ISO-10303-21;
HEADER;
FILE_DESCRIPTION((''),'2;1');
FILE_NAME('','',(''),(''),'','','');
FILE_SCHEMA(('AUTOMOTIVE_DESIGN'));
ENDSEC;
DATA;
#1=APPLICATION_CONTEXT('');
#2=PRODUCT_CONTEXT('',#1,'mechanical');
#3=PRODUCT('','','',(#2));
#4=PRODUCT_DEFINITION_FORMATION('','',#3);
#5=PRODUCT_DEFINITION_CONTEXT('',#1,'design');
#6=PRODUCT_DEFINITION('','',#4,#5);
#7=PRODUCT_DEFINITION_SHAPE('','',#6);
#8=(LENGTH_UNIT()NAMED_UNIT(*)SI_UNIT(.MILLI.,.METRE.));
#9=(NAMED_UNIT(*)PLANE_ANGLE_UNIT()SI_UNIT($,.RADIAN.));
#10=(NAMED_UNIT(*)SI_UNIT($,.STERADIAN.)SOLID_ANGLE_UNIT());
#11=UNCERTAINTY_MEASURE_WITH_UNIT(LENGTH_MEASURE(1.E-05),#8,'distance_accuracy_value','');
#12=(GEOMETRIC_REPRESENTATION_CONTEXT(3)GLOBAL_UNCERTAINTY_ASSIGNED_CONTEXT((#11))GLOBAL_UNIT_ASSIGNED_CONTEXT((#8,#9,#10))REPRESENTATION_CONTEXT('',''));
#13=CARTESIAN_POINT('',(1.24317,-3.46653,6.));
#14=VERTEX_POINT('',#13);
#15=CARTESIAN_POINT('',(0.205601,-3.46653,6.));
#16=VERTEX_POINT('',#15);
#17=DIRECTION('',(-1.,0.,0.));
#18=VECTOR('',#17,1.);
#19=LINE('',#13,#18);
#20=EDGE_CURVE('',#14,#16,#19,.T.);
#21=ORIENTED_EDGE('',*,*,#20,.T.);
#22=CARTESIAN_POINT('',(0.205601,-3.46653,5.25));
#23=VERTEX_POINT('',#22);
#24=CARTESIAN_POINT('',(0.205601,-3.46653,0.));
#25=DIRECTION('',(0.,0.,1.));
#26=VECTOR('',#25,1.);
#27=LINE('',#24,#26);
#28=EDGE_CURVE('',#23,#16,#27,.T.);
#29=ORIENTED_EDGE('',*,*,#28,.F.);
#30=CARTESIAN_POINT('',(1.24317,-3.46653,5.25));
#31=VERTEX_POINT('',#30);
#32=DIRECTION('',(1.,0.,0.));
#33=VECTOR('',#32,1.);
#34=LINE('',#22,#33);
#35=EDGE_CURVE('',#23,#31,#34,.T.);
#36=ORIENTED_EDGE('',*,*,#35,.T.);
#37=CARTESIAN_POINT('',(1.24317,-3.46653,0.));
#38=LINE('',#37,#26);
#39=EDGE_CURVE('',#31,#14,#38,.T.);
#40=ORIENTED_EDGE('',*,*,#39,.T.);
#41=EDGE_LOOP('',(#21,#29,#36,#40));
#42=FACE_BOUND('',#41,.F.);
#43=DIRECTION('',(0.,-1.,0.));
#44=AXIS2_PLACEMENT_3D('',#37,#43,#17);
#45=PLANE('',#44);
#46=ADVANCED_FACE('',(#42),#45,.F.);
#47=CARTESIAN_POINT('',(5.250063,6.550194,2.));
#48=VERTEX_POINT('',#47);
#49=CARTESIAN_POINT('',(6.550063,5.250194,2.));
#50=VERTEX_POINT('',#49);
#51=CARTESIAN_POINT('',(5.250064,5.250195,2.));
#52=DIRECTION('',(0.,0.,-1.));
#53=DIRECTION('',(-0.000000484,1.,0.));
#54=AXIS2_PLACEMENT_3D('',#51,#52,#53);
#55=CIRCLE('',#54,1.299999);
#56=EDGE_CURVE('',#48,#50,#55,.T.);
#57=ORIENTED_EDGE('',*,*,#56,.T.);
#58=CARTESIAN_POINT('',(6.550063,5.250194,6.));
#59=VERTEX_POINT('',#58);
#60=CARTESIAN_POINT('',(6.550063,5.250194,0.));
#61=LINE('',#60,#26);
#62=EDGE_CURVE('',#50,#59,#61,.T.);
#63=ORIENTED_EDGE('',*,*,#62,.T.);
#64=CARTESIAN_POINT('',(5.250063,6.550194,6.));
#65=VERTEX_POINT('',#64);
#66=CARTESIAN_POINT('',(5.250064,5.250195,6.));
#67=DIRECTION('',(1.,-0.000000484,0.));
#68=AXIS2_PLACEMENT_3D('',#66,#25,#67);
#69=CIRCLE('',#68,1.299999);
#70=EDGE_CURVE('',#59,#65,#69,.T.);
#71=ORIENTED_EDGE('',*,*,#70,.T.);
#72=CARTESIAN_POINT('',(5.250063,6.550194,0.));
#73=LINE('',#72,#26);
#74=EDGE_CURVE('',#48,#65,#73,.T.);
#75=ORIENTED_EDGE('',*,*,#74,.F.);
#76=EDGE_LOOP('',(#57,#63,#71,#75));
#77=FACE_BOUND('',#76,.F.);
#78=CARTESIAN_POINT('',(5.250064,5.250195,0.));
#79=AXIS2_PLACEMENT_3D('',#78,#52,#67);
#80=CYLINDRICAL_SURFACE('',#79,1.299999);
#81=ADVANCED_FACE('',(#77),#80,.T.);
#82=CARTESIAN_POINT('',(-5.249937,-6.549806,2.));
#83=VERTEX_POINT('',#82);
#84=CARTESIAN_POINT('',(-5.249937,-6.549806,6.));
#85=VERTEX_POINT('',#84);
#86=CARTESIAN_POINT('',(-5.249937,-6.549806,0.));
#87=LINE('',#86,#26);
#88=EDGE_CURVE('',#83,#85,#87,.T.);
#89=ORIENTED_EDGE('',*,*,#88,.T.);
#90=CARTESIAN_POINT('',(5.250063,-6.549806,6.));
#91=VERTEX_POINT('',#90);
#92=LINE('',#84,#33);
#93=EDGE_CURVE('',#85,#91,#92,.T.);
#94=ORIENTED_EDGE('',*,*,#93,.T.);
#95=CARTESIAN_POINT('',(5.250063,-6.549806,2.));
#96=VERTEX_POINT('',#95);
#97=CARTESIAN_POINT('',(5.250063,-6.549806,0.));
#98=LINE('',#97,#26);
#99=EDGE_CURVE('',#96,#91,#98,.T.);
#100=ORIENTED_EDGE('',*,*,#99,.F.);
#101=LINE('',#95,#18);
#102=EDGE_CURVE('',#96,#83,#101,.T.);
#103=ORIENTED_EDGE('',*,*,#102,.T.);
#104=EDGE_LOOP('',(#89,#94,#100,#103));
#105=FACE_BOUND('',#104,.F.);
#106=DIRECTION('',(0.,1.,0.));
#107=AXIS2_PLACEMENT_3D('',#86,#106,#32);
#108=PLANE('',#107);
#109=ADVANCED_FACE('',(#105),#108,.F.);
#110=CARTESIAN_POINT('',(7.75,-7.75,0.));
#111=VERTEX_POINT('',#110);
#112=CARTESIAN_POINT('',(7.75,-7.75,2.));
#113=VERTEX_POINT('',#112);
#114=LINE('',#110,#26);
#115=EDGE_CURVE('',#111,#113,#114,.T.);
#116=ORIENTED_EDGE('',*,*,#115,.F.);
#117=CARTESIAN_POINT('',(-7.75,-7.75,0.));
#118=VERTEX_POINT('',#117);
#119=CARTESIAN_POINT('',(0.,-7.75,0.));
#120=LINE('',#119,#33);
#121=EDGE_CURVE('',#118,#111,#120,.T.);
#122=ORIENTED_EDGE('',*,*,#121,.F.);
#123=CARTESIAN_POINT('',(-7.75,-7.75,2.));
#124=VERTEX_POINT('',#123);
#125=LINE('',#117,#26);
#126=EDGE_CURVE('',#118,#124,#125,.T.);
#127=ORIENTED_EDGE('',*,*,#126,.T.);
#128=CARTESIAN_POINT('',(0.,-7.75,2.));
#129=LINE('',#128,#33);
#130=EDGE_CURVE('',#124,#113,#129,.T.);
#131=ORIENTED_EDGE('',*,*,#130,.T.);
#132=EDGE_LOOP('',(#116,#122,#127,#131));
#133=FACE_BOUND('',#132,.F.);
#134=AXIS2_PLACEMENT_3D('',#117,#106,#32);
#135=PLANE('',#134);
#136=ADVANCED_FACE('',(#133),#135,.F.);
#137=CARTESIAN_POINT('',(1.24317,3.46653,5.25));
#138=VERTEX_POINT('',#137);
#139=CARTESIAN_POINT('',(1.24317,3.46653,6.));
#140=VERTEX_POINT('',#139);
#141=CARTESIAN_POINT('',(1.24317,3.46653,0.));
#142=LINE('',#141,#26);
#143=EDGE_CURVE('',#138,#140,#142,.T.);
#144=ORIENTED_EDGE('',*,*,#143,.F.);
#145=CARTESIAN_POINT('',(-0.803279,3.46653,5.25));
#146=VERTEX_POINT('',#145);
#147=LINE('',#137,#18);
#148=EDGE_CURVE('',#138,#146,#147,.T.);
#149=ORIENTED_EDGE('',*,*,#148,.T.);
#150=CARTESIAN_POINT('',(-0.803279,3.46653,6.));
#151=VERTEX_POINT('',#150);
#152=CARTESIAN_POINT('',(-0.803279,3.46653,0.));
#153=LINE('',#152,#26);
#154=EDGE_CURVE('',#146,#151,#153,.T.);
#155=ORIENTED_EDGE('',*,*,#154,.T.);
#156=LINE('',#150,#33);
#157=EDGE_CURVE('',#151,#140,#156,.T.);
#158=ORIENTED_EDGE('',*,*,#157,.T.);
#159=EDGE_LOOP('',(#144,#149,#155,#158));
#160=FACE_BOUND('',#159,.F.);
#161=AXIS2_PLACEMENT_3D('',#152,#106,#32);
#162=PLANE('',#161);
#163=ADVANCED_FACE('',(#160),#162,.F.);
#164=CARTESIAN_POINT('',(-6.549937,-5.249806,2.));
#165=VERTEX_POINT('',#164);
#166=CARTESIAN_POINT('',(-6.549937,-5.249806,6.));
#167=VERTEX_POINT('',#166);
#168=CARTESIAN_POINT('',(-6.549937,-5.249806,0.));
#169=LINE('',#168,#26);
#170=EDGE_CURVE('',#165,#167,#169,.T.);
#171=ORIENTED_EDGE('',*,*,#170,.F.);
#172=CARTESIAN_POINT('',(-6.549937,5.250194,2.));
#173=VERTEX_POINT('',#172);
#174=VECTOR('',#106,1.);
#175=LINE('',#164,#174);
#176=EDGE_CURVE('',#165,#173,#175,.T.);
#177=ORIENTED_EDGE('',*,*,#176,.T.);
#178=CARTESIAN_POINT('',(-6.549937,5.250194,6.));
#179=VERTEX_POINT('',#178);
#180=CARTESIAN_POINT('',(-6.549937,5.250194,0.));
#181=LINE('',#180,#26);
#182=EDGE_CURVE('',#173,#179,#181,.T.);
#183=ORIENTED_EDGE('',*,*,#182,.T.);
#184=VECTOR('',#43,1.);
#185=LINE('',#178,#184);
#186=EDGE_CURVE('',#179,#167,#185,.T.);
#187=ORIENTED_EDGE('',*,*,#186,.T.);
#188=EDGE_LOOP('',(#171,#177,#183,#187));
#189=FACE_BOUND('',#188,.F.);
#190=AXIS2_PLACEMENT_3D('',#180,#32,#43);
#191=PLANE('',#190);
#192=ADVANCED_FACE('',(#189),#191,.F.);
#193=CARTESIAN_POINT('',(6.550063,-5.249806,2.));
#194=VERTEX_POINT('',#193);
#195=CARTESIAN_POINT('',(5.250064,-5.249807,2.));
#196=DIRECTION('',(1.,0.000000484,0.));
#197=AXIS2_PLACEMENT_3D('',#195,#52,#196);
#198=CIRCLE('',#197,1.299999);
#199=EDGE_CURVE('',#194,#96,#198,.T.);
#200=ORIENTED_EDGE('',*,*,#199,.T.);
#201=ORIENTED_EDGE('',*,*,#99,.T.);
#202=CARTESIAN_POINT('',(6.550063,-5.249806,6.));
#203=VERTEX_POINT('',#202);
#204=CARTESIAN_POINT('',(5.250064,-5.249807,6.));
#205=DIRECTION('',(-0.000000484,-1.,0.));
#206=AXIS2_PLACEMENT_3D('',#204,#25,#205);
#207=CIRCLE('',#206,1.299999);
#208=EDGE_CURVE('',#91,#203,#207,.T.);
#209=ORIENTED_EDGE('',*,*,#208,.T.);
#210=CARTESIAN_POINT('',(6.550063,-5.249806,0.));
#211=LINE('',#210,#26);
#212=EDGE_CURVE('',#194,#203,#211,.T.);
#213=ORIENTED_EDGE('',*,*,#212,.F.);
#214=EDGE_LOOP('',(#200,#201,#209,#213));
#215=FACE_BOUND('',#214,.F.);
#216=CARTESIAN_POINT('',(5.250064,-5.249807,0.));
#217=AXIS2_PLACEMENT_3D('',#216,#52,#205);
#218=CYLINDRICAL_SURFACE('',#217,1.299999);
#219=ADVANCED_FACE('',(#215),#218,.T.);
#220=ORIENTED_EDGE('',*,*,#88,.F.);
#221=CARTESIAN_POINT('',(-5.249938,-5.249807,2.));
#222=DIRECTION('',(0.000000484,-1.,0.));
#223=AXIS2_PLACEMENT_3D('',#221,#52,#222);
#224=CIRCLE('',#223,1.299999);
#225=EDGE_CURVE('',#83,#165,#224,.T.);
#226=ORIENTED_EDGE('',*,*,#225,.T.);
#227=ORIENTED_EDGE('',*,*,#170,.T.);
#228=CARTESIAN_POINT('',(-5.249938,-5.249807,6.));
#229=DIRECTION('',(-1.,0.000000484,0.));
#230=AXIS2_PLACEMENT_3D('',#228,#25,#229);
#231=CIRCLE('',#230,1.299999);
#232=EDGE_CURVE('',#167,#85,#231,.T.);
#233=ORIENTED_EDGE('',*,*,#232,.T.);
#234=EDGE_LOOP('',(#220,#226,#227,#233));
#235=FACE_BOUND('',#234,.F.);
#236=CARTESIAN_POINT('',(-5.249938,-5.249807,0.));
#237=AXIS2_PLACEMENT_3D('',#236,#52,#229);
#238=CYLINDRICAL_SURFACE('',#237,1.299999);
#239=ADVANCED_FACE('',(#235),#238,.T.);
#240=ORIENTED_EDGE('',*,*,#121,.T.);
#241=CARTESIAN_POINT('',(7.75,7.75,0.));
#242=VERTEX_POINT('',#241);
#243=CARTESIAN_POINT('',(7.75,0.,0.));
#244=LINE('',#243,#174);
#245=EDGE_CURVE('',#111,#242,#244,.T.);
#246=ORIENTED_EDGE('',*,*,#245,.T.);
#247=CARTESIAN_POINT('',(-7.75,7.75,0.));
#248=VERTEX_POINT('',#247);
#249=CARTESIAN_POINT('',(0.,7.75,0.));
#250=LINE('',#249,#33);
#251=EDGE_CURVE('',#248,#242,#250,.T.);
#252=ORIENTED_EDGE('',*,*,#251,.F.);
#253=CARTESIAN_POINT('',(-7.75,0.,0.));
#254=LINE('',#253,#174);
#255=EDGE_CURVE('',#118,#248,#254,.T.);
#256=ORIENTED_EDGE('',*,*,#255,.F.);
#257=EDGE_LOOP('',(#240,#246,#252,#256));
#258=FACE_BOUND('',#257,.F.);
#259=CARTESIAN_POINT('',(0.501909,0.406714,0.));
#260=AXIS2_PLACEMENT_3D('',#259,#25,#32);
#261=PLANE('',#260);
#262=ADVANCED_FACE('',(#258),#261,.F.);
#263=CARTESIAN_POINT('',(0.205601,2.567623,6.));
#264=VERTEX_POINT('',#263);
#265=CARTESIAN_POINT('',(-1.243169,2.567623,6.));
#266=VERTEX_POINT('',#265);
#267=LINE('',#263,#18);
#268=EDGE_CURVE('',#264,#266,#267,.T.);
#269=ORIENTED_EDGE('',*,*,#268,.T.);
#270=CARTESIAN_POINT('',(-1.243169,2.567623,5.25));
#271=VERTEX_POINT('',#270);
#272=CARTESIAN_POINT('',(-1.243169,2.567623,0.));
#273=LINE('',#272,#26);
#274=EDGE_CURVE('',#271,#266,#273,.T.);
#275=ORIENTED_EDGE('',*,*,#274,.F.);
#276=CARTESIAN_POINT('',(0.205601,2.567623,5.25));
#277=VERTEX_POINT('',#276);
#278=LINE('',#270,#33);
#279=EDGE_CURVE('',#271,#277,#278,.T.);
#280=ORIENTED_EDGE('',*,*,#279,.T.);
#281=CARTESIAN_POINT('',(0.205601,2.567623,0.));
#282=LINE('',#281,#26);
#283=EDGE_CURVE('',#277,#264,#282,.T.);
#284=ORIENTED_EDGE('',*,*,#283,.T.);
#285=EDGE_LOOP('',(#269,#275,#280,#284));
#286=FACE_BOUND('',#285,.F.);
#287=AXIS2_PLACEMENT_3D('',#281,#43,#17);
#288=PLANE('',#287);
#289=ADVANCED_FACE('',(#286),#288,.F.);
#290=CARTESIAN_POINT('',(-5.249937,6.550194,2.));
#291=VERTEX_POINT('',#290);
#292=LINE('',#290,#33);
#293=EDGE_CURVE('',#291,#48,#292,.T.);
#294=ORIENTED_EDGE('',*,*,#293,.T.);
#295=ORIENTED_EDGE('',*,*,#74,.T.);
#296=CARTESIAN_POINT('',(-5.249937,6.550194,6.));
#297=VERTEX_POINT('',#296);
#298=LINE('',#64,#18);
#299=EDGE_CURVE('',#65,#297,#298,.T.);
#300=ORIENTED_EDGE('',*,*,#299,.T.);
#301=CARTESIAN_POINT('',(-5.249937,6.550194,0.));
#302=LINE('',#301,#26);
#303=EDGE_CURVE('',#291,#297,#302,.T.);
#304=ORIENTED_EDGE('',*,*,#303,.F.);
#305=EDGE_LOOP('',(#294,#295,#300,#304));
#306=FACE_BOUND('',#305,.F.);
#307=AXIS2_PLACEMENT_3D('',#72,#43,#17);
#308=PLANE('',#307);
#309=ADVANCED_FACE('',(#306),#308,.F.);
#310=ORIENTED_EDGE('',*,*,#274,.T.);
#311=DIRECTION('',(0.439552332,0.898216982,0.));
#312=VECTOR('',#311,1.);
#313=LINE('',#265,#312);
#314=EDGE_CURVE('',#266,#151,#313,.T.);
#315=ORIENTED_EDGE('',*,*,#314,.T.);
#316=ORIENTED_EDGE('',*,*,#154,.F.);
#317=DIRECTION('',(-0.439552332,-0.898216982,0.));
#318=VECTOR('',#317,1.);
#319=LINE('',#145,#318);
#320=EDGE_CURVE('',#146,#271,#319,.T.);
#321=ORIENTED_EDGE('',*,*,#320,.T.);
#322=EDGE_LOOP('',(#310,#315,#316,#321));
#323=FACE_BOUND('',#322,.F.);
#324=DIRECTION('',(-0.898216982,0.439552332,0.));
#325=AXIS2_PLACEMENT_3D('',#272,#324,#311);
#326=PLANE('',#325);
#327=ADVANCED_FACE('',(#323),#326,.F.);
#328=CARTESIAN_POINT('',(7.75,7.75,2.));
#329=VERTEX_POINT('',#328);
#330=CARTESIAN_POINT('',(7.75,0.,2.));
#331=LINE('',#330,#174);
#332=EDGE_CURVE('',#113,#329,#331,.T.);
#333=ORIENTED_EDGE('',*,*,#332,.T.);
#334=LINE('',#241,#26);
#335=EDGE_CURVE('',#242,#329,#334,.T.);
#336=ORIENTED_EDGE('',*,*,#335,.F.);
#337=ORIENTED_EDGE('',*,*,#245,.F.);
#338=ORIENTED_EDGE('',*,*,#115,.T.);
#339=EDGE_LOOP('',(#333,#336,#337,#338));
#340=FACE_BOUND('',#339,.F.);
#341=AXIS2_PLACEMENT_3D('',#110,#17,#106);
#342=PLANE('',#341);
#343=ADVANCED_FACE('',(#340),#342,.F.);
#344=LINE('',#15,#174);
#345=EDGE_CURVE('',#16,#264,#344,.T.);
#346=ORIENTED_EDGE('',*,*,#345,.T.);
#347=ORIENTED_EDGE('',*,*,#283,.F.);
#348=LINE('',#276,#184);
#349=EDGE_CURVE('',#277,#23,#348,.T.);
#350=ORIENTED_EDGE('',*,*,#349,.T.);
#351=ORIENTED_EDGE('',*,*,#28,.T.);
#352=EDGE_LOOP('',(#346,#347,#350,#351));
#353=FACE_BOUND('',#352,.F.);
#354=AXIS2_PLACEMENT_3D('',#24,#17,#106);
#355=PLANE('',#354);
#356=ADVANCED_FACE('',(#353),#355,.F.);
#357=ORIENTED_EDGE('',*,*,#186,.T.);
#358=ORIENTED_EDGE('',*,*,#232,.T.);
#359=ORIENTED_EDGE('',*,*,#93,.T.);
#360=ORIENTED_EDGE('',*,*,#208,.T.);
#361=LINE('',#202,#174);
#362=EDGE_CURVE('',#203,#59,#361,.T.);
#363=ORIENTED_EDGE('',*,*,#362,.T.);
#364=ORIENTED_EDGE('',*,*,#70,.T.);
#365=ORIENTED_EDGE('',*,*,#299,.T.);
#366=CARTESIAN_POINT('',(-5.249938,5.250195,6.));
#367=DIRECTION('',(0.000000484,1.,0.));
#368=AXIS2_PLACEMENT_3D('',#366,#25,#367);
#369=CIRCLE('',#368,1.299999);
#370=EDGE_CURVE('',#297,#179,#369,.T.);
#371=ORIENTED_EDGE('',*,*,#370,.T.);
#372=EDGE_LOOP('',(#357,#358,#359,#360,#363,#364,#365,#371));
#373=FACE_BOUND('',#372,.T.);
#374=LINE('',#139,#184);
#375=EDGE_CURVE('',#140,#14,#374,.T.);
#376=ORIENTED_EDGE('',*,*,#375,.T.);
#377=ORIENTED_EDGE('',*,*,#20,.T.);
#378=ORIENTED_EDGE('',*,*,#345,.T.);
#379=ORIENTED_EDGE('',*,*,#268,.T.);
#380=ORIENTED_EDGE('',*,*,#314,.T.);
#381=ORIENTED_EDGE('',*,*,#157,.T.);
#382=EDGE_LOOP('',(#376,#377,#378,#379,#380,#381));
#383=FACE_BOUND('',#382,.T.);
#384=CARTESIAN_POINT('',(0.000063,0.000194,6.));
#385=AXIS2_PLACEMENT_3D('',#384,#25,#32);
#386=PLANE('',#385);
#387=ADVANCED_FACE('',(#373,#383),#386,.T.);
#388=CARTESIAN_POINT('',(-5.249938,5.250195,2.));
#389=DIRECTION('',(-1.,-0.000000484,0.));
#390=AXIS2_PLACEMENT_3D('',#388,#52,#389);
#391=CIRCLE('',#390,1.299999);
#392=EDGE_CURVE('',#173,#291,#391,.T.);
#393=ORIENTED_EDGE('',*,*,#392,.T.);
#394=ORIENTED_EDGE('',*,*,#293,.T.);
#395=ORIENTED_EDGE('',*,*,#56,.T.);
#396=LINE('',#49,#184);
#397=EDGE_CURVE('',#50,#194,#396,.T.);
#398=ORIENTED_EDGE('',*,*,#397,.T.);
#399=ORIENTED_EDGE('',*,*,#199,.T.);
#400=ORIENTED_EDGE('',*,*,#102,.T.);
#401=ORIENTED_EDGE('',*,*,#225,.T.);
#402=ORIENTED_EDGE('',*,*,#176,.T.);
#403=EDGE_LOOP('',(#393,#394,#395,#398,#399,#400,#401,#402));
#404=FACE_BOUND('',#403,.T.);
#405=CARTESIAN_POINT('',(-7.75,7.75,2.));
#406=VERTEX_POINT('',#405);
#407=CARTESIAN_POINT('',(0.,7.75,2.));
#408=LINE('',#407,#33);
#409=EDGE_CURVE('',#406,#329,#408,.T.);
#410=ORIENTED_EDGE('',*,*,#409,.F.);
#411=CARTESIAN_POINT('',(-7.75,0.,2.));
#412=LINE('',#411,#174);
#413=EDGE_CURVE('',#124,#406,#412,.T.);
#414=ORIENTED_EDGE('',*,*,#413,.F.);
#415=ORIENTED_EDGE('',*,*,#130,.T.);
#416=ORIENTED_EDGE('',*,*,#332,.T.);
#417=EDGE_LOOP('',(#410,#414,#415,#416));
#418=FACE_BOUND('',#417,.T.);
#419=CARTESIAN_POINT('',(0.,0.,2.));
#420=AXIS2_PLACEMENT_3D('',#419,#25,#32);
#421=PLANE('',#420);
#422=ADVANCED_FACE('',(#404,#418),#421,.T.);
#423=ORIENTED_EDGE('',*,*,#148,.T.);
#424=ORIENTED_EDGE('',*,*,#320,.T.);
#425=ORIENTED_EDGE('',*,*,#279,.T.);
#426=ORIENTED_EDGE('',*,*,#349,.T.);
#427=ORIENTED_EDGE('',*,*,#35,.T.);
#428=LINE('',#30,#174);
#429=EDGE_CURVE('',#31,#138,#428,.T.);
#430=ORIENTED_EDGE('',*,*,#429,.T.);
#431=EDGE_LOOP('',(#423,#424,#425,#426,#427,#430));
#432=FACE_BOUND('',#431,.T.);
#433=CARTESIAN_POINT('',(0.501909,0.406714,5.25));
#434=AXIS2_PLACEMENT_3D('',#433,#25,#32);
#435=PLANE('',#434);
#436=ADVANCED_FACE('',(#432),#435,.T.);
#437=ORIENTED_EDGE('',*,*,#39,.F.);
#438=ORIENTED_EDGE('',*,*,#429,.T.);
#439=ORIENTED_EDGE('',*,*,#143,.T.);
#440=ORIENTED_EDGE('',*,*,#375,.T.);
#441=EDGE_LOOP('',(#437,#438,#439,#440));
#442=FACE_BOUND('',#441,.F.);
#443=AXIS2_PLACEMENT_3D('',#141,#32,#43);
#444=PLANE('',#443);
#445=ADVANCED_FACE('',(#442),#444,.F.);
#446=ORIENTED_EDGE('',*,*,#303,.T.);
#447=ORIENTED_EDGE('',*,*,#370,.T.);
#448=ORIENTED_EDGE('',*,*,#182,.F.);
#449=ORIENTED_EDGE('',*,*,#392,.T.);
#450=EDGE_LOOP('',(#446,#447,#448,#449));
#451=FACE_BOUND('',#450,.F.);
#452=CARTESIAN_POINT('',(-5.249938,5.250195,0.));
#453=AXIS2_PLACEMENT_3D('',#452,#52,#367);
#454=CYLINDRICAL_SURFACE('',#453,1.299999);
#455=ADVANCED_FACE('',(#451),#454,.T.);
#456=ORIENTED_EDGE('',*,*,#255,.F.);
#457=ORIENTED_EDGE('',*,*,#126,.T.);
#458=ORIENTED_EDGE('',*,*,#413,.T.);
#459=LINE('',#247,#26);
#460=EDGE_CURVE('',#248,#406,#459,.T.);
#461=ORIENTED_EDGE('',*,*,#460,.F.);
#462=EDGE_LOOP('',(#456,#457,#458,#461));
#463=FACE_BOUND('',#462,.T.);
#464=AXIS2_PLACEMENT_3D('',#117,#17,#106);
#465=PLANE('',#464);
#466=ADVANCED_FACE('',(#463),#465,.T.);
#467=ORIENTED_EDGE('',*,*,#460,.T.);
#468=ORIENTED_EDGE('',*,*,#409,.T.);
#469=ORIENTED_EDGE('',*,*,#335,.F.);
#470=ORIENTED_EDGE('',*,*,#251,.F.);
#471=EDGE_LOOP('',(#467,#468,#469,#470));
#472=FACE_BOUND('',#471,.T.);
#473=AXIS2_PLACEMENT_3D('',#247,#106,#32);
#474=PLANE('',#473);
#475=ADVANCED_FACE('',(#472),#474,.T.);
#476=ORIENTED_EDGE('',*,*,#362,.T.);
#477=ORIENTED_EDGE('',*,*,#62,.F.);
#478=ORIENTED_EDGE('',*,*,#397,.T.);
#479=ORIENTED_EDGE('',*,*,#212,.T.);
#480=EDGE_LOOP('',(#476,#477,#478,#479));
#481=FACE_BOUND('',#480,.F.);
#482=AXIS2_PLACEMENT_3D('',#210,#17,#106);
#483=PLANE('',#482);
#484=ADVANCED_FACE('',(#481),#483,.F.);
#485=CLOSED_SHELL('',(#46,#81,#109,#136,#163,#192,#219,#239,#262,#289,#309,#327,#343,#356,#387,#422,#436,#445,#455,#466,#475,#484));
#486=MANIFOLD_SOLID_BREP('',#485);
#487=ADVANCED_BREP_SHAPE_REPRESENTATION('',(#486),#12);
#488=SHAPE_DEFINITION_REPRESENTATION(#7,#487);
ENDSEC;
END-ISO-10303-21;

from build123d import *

# Parameters (mm, degrees)
F0_W     = 15.5
F0_H     = 15.5
F1_DEPTH = 2
F2_DEPTH = 6
F3_DEPTH = 5.25


with BuildPart() as f1:
    # F0 (on Top) → F1 (new body)
    with BuildSketch(Plane.XY):
        Rectangle(F0_W, F0_H)
        with BuildLine():
            Line((-6.549937, -5.249806), (-6.549937, 5.250194))
            ThreePointArc((-6.549937, 5.250194), (-6.169176, 6.169433), (-5.249937, 6.550194))
            Line((-5.249937, 6.550194), (5.250063, 6.550194))
            ThreePointArc((5.250063, 6.550194), (6.169302, 6.169433), (6.550063, 5.250194))
            Line((6.550063, 5.250194), (6.550063, -5.249806))
            ThreePointArc((6.550063, -5.249806), (6.169302, -6.169045), (5.250063, -6.549806))
            Line((5.250063, -6.549806), (-5.249937, -6.549806))
            ThreePointArc((-5.249937, -6.549806), (-6.169176, -6.169045), (-6.549937, -5.249806))
        make_face(mode=Mode.SUBTRACT)
    extrude(amount=F1_DEPTH)

    # F0 (on Top) → F2 (join)
    with BuildSketch(Plane.XY):
        with BuildLine():
            ThreePointArc((-5.249937, 6.550194), (-6.169176, 6.169433), (-6.549937, 5.250194))
            Line((-6.549937, 5.250194), (-6.549937, -5.249806))
            ThreePointArc((-6.549937, -5.249806), (-6.169176, -6.169045), (-5.249937, -6.549806))
            Line((-5.249937, -6.549806), (5.250063, -6.549806))
            ThreePointArc((5.250063, -6.549806), (6.169302, -6.169045), (6.550063, -5.249806))
            Line((6.550063, -5.249806), (6.550063, 5.250194))
            ThreePointArc((6.550063, 5.250194), (6.169302, 6.169433), (5.250063, 6.550194))
            Line((5.250063, 6.550194), (-5.249937, 6.550194))
        make_face()
        Polygon((1.24317, -3.46653), (0.205601, -3.46653), (0.205601, 2.567623), (-1.243169, 2.567623), (-0.803279, 3.46653), (1.24317, 3.46653), align=None, mode=Mode.SUBTRACT)
    extrude(amount=F2_DEPTH)

    # F0 (on Top) → F3 (join)
    with BuildSketch(Plane.XY):
        Polygon((0.205601, 2.567623), (0.205601, -3.46653), (1.24317, -3.46653), (1.24317, 3.46653), (-0.803279, 3.46653), (-1.243169, 2.567623), align=None)
    extrude(amount=F3_DEPTH)


solid = f1.part
